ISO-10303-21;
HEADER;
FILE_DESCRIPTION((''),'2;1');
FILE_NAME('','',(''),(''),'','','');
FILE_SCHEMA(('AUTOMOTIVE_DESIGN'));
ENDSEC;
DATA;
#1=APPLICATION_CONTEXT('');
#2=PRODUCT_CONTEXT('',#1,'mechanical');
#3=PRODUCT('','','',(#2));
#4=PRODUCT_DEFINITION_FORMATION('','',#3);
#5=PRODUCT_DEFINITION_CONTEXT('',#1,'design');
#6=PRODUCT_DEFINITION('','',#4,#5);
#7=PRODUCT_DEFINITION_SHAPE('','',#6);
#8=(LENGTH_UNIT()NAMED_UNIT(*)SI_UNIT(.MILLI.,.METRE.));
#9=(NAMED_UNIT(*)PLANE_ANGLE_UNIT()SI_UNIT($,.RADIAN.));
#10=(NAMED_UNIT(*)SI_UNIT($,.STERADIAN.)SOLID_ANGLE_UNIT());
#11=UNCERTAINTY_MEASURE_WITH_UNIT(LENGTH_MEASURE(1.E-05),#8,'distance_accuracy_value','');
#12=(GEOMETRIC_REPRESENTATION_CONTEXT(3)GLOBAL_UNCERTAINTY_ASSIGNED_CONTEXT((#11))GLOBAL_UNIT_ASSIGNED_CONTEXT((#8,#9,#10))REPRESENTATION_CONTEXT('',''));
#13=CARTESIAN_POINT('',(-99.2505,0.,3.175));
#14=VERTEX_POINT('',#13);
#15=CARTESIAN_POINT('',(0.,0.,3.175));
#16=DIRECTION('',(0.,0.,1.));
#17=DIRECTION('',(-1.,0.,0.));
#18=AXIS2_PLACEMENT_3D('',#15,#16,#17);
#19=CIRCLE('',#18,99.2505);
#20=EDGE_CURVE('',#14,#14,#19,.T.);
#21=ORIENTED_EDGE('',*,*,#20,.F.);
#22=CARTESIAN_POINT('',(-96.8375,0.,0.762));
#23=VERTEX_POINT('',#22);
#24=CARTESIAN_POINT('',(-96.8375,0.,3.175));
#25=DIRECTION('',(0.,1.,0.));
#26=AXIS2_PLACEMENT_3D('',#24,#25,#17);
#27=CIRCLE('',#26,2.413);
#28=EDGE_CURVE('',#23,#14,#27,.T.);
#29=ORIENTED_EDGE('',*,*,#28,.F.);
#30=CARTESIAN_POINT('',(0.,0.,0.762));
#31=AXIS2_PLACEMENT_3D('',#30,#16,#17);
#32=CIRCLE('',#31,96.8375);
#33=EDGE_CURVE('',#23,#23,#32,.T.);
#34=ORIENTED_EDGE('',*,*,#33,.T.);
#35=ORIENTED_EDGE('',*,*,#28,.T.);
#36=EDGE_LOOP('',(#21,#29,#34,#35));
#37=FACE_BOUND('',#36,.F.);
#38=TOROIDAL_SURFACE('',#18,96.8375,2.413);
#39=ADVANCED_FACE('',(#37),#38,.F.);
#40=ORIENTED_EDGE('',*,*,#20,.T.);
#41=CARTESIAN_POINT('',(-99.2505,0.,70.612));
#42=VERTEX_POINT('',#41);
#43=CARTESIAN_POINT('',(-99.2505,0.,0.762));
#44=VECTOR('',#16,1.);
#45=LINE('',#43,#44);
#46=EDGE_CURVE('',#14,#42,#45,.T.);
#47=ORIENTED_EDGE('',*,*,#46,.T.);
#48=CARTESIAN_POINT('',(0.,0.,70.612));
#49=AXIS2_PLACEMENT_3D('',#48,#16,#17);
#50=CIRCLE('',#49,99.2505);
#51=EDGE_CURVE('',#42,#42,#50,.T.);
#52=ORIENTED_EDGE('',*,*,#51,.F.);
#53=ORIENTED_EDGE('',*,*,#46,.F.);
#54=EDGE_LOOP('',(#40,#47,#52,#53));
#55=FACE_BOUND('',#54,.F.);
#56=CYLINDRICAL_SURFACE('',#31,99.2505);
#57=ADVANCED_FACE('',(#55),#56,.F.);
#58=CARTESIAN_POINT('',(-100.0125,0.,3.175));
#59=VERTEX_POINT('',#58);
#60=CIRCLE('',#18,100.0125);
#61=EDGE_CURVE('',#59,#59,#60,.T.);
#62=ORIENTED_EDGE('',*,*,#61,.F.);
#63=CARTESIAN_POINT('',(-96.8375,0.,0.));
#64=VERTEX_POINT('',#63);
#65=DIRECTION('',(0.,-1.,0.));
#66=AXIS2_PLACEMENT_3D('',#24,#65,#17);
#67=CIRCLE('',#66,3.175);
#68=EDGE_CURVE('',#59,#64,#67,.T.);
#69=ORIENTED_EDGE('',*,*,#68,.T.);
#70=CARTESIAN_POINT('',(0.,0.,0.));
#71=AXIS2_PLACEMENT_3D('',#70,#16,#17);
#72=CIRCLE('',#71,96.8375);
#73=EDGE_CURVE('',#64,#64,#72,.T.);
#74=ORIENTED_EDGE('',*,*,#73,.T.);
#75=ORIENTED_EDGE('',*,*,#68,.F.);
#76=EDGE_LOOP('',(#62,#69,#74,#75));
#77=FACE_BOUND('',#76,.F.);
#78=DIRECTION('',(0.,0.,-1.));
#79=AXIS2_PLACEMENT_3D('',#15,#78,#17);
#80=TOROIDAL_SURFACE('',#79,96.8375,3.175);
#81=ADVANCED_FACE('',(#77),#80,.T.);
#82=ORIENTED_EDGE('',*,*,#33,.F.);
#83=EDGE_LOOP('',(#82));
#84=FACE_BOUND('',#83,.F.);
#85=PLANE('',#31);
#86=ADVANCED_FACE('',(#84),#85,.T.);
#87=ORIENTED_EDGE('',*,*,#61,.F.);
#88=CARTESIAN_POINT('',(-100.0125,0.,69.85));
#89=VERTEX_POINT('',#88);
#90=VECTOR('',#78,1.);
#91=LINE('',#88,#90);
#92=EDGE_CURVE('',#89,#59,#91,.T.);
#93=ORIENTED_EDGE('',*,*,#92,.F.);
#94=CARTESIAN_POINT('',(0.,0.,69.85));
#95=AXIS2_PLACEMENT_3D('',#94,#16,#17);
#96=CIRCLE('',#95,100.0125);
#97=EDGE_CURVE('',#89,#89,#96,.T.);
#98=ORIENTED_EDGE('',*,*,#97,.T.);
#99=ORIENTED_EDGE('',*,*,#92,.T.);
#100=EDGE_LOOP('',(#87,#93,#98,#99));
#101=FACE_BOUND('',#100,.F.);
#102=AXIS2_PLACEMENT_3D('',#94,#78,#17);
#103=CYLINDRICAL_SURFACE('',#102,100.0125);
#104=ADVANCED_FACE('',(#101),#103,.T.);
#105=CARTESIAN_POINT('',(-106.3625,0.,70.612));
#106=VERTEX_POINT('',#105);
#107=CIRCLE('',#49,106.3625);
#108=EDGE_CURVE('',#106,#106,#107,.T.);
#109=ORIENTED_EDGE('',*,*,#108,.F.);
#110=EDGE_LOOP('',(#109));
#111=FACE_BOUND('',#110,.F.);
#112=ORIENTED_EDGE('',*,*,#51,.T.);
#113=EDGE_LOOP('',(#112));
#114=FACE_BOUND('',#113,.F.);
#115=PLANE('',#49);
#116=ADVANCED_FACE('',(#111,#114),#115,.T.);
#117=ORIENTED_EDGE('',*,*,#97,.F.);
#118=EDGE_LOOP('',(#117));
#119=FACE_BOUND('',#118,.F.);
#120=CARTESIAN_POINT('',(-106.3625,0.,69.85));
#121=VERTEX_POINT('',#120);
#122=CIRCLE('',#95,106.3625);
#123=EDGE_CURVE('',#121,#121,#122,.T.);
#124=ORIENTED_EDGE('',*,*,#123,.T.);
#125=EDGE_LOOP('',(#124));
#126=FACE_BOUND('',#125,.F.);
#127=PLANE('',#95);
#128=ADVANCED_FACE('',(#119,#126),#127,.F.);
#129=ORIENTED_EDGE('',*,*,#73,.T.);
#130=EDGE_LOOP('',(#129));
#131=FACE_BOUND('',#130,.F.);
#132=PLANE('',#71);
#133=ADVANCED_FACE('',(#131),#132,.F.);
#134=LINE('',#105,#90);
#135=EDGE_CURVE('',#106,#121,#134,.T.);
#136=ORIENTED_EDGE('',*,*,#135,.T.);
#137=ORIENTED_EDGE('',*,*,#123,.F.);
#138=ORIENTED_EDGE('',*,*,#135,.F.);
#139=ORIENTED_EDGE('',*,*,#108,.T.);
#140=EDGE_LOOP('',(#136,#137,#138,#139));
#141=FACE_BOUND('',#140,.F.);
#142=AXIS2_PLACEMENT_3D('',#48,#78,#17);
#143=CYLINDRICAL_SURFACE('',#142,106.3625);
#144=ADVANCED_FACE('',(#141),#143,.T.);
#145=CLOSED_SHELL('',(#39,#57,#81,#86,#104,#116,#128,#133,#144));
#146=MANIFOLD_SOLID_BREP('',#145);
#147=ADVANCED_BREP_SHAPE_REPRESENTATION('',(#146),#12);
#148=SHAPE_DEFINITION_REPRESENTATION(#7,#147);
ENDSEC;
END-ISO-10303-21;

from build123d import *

# Parameters (mm, degrees)
F2_R = 2.413
F3_R = 3.175


with BuildPart() as f1:
    # F0 (on Front) → F1 (revolve)
    with BuildSketch(Plane.XZ):
        Polygon((-106.3625, 70.612), (-106.3625, 69.85), (-100.0125, 69.85), (-100.0125, 0), (0, 0), (0, 0.762), (-99.2505, 0.762), (-99.2505, 70.612), align=None)
    revolve(axis=Axis((0, 0, 33.215944), (0, 0, 1)))

    # F2
    f2_edges = [f1.edges().sort_by_distance(p)[0] for p in [
        (99.2505, 0, 0.762),
    ]]
    fillet(f2_edges, radius=F2_R)

    # F3
    f3_edges = [f1.edges().sort_by_distance(p)[0] for p in [
        (100.0125, 0, 0),
    ]]
    fillet(f3_edges, radius=F3_R)


solid = f1.part
